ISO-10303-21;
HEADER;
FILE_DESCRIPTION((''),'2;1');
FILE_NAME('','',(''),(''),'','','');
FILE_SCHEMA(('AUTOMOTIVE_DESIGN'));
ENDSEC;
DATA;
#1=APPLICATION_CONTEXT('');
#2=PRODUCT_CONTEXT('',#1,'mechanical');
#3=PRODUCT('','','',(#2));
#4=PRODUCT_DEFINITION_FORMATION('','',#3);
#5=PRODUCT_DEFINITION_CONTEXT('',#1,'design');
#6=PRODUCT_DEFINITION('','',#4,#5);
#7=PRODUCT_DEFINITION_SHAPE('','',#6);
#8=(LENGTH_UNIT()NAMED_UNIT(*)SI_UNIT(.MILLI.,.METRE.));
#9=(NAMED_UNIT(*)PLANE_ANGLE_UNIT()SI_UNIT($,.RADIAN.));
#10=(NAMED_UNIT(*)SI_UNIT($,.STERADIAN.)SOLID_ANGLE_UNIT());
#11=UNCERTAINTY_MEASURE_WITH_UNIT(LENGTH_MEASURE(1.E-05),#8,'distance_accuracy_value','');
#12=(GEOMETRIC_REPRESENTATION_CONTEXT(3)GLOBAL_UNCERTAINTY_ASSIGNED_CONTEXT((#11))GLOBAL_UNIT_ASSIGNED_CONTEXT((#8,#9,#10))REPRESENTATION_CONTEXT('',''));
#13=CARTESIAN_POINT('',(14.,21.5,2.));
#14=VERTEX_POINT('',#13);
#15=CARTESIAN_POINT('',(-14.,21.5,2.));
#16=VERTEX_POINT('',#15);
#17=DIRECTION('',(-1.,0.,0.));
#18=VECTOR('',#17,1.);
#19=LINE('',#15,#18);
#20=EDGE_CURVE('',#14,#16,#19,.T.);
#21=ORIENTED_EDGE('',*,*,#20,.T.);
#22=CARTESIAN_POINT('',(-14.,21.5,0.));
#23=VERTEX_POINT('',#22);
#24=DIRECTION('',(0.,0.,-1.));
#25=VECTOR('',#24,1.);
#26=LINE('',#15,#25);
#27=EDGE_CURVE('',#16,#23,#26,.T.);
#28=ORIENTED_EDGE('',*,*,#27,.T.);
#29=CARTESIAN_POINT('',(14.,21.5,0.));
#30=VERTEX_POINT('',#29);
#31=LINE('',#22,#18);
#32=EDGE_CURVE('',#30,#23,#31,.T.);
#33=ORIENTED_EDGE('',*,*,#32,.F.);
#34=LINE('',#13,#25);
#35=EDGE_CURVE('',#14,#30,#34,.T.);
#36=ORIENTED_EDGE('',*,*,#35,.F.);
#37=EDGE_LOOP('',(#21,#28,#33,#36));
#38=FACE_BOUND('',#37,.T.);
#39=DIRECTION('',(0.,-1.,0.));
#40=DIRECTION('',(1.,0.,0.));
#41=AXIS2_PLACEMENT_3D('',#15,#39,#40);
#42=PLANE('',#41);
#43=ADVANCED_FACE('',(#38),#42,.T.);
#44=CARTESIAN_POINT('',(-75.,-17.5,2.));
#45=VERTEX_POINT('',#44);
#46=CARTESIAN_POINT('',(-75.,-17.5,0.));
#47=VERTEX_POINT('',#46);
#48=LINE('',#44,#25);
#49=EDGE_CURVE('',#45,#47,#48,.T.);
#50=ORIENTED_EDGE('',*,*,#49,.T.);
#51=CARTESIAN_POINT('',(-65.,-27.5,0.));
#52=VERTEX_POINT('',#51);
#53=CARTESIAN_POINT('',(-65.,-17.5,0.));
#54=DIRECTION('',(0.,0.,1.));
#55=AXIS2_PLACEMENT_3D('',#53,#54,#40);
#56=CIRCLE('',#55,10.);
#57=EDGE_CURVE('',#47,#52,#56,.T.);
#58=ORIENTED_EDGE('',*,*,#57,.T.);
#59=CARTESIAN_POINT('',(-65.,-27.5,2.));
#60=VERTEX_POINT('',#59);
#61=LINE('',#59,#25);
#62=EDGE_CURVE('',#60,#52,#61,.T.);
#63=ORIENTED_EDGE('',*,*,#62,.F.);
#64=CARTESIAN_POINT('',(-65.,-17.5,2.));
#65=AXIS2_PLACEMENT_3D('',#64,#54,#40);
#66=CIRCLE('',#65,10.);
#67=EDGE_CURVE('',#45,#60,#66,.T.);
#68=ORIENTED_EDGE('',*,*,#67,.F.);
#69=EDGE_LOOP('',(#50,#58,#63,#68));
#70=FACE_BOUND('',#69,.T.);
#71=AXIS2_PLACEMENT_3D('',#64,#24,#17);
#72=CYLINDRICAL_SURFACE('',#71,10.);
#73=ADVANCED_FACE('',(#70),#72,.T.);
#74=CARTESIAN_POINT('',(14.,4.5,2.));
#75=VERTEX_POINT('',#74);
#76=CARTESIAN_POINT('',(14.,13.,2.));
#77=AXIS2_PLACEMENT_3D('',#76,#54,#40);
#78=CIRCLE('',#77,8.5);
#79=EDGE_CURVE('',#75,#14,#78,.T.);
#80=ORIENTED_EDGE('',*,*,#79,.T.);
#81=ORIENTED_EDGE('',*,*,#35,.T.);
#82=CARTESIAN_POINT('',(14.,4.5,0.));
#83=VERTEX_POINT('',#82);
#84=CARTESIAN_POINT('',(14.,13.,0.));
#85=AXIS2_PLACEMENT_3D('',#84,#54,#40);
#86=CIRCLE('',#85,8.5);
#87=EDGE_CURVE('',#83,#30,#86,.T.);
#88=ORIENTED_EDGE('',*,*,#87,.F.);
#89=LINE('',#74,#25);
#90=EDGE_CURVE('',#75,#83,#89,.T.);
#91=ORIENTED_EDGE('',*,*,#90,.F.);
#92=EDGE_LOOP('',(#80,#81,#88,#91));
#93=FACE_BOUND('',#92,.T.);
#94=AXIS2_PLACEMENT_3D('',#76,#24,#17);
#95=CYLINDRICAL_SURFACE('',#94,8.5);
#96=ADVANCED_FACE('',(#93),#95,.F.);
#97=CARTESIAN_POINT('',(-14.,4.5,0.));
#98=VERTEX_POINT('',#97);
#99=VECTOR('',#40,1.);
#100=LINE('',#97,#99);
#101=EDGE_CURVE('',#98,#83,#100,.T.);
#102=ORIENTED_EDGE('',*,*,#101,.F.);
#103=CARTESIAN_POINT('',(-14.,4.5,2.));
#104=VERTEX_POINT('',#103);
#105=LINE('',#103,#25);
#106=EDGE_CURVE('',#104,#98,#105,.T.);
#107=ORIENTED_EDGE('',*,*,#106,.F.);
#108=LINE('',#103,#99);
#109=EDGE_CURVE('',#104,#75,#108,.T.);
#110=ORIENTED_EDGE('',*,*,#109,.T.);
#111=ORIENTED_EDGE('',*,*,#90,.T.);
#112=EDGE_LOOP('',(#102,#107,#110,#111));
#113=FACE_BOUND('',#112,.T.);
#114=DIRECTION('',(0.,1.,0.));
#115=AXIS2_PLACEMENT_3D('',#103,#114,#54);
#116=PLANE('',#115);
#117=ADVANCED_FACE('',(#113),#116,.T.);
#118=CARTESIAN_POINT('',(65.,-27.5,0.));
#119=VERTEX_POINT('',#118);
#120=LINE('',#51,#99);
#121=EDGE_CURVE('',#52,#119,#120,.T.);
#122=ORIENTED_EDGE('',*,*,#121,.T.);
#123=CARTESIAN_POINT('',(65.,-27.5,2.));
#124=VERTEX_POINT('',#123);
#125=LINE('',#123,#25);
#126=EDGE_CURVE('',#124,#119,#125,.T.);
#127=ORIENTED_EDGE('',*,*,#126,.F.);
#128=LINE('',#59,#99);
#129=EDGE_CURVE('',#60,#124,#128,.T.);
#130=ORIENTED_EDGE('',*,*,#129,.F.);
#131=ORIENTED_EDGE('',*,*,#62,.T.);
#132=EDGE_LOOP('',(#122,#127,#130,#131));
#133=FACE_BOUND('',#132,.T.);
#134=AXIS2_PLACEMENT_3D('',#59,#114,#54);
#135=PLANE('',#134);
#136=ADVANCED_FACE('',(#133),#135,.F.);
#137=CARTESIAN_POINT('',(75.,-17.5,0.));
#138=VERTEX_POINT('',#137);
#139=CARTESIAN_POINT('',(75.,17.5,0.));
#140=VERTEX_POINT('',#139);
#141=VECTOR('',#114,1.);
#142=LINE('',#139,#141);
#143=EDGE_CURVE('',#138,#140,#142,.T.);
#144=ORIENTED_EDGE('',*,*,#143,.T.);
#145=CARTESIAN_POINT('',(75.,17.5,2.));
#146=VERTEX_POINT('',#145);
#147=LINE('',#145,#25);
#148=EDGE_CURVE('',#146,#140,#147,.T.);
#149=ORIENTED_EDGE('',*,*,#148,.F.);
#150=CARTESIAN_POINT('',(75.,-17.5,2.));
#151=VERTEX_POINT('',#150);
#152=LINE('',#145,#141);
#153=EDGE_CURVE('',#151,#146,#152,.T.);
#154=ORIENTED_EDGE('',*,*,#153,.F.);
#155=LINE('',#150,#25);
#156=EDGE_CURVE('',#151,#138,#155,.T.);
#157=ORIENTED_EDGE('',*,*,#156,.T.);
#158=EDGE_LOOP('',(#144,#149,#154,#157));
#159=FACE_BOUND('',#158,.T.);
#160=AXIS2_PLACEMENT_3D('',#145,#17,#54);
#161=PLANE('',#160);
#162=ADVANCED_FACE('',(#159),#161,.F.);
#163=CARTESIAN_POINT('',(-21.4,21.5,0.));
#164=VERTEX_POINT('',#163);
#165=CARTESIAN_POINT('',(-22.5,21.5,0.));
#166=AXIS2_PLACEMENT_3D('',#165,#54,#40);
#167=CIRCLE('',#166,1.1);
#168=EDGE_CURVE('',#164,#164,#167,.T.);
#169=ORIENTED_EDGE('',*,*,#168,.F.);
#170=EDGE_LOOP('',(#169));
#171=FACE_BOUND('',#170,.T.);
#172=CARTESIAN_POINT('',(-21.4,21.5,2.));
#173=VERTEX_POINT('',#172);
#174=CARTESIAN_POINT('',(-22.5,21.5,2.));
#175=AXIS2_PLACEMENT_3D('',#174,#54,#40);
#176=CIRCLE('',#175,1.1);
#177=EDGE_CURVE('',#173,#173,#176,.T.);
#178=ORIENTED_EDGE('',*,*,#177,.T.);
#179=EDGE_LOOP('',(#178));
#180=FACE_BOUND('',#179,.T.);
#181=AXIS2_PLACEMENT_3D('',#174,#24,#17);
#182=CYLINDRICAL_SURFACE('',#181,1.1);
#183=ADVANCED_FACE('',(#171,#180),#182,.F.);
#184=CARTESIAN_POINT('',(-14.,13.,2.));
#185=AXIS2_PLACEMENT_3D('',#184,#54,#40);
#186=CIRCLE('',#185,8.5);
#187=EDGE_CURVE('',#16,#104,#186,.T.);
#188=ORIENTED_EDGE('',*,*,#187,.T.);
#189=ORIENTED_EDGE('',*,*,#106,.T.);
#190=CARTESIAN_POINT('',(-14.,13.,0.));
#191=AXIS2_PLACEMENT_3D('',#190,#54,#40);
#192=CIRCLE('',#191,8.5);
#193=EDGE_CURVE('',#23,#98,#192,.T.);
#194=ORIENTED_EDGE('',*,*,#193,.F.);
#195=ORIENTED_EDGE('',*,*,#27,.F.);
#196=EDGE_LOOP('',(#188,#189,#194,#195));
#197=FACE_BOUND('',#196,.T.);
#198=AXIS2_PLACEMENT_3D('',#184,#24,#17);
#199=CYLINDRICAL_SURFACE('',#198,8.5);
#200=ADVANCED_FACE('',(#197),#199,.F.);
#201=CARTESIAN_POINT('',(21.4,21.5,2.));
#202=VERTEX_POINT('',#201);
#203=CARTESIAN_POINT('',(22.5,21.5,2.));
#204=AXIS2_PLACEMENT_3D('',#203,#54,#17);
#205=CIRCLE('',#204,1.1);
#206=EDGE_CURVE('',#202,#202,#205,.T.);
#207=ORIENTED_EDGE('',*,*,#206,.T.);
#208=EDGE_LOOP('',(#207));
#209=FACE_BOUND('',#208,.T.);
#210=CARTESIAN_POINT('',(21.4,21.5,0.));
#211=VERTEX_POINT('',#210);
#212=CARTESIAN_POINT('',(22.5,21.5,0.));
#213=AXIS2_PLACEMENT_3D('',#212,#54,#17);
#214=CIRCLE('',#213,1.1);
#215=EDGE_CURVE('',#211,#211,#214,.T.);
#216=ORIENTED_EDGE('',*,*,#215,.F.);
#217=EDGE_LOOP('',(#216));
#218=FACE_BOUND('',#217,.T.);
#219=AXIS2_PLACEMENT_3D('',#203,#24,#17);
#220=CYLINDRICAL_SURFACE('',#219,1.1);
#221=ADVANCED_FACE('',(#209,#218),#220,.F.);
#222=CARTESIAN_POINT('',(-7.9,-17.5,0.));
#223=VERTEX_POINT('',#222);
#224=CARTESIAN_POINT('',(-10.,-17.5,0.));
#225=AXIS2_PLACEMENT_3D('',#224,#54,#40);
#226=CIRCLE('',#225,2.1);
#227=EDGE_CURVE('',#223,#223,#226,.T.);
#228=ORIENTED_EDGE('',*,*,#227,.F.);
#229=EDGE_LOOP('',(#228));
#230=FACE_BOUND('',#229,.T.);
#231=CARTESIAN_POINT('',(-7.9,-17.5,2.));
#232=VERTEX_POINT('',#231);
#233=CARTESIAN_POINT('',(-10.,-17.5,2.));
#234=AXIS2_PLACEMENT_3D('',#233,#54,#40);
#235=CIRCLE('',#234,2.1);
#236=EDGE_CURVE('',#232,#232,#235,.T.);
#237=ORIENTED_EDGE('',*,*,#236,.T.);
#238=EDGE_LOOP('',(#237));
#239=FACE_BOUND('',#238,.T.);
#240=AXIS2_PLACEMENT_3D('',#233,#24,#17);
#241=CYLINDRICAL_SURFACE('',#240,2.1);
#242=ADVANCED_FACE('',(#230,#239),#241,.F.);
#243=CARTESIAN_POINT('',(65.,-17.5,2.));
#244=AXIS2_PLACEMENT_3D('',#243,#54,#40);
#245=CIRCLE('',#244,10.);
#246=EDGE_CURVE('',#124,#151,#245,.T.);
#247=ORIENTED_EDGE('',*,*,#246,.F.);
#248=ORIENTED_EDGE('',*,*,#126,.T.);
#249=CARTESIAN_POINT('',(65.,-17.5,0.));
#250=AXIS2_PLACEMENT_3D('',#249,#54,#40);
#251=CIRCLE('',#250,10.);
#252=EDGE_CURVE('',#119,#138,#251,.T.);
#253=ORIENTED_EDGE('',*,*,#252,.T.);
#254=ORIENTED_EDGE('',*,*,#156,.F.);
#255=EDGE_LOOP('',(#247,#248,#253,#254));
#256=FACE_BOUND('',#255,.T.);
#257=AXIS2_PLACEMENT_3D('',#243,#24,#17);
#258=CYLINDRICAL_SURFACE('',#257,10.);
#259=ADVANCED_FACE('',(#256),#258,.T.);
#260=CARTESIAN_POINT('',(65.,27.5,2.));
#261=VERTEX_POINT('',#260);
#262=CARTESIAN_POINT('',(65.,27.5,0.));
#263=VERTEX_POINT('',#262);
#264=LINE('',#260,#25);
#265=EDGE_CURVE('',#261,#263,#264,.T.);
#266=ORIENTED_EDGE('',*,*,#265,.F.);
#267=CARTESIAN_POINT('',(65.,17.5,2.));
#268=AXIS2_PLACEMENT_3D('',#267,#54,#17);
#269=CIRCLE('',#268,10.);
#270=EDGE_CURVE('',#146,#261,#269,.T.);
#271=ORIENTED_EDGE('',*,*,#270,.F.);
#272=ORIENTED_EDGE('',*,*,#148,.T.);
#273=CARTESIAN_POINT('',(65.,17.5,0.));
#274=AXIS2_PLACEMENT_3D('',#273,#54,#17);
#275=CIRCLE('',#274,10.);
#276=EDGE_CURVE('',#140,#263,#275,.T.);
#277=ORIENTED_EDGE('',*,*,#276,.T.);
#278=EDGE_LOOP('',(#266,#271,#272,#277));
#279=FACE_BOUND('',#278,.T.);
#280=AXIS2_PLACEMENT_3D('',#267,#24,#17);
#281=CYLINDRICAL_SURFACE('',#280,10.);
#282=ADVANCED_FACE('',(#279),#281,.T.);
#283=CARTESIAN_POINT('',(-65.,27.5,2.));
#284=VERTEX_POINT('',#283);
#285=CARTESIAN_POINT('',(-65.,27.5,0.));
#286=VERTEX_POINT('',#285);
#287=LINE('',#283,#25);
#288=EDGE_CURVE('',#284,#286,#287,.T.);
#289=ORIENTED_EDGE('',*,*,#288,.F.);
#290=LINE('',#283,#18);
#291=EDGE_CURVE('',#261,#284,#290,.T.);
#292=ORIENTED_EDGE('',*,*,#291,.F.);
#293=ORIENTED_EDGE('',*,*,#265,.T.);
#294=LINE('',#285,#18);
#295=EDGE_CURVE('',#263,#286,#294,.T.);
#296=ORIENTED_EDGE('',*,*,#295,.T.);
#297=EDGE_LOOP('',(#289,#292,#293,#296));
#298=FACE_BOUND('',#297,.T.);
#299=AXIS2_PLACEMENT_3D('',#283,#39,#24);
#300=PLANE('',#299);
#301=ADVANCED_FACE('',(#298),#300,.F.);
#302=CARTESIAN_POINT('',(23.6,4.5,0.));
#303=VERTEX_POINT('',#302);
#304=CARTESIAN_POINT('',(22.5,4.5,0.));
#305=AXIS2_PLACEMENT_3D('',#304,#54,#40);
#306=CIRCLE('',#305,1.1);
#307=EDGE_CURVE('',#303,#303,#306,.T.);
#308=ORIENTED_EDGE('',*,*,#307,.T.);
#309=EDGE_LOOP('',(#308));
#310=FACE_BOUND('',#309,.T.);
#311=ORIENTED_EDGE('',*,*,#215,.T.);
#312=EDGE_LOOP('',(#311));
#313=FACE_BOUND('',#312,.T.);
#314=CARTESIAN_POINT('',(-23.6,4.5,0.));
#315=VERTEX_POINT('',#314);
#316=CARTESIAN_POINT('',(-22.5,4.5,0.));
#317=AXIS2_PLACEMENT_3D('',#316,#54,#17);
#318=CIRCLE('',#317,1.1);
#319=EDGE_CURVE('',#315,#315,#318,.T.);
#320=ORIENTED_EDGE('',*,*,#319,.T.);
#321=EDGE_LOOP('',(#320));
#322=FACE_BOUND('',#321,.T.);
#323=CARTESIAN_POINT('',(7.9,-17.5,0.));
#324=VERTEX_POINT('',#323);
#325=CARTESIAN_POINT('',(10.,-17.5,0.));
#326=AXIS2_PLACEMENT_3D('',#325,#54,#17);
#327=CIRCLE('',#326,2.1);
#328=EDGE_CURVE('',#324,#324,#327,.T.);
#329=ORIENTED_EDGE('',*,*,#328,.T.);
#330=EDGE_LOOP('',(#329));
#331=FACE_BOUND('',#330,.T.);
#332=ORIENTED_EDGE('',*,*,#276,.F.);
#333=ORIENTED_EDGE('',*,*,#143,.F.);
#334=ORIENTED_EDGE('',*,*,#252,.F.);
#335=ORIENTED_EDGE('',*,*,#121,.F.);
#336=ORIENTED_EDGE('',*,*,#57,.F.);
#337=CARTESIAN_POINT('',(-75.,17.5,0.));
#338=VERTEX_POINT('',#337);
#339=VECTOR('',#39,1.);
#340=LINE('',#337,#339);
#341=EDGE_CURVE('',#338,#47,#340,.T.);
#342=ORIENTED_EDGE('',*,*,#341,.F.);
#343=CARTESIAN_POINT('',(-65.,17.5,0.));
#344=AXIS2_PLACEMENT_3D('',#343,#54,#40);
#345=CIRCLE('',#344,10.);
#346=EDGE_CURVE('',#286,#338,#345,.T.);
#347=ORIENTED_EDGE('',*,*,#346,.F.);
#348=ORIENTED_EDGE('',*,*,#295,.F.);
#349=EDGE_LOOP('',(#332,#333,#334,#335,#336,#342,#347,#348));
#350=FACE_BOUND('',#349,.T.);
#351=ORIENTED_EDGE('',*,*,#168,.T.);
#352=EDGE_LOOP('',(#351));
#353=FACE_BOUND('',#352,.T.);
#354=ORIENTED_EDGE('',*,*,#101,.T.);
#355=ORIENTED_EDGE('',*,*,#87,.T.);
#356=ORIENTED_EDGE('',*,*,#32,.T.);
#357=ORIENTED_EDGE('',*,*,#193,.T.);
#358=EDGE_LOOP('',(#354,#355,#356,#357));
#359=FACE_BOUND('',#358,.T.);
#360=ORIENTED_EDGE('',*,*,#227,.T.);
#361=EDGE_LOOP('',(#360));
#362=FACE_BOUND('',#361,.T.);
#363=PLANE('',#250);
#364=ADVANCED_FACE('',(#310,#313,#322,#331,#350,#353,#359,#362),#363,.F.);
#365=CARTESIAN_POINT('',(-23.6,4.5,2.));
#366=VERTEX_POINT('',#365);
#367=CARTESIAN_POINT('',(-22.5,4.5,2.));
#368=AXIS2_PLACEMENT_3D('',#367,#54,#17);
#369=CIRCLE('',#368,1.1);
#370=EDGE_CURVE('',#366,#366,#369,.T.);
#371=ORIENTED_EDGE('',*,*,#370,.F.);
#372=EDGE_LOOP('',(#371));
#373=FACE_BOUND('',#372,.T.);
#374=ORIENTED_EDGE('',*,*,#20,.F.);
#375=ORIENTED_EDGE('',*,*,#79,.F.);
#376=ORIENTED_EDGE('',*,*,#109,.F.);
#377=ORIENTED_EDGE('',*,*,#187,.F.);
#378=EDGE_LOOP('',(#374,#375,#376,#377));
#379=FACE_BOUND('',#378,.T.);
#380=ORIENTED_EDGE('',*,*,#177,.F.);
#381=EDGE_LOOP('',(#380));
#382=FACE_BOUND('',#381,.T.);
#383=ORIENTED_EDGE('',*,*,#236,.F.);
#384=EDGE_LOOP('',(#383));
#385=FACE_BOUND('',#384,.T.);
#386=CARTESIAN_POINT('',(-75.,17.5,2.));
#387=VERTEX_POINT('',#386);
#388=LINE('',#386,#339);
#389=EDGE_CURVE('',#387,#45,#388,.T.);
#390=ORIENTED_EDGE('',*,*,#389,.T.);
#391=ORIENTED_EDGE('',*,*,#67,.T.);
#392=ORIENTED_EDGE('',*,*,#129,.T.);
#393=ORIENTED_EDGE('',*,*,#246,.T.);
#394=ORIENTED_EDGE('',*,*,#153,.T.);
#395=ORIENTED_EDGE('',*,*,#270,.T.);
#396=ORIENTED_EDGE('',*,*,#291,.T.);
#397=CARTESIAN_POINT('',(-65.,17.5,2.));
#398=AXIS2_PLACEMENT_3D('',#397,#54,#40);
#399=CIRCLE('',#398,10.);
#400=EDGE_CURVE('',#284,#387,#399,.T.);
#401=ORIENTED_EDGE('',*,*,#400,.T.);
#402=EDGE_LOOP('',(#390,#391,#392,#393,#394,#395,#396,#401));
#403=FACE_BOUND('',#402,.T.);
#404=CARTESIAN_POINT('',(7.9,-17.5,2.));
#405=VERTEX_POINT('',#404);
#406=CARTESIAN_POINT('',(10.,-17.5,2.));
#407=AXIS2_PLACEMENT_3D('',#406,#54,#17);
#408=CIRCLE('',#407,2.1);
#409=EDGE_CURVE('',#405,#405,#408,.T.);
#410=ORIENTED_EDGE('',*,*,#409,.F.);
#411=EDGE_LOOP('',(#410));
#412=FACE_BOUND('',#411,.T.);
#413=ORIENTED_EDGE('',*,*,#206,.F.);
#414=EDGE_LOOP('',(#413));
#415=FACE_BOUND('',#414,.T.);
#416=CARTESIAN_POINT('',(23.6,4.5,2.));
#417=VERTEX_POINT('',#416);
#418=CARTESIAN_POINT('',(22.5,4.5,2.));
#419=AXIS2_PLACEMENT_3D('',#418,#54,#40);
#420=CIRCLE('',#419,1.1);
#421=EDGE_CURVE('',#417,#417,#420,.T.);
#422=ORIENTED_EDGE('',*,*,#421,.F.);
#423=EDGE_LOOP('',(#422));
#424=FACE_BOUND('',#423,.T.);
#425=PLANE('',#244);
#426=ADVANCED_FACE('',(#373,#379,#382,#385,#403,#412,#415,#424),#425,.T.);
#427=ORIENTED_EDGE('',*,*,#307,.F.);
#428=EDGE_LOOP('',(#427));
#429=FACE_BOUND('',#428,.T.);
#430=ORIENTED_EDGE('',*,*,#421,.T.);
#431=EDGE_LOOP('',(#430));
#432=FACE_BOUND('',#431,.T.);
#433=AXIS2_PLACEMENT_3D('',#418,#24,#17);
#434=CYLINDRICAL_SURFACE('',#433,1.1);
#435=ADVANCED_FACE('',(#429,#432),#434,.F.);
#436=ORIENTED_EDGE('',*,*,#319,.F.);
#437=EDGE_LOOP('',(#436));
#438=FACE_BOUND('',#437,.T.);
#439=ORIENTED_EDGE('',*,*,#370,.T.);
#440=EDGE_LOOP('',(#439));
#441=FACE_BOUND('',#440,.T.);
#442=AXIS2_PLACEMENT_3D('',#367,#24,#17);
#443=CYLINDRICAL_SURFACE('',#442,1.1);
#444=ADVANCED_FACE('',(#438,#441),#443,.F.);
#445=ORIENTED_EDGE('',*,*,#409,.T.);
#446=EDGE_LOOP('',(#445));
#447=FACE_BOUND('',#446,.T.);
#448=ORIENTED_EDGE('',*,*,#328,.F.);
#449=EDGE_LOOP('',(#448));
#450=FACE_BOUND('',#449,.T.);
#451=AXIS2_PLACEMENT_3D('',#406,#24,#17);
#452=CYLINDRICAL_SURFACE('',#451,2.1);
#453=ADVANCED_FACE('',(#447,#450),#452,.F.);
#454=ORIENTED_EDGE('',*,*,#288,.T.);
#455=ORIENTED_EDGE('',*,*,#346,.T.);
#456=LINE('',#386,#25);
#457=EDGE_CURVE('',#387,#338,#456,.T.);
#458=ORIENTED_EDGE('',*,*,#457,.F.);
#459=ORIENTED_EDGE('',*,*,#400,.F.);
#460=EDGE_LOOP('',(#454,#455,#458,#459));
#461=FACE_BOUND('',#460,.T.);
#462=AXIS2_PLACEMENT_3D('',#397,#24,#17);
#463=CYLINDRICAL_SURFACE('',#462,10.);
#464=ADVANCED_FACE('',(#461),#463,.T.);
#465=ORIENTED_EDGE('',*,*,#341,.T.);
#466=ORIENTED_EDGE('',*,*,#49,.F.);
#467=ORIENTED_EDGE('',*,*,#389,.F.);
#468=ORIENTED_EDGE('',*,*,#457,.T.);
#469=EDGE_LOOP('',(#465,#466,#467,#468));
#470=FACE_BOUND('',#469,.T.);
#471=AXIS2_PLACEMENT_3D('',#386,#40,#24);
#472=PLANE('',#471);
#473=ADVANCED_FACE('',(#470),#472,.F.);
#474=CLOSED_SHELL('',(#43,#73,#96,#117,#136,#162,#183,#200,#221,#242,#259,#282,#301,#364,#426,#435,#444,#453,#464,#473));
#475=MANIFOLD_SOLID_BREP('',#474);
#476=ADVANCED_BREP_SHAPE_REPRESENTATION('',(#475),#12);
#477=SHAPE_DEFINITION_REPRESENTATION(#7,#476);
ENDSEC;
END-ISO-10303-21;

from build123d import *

# Parameters (mm, degrees)
SKETCH_1_R      = 2.1
SKETCH_1_R_2    = 1.1
EXTRUDE_1_DEPTH = 2


with BuildPart() as part:
    # 草图1 → 凸台-拉伸1 (new body)
    with BuildSketch(Plane.XY):
        with BuildLine():
            Line((-65, 27.5), (65, 27.5))
            ThreePointArc((65, 27.5), (72.071067812, 24.571067812), (75, 17.5))
            Line((75, 17.5), (75, -17.5))
            ThreePointArc((75, -17.5), (72.071067812, -24.571067812), (65, -27.5))
            Line((65, -27.5), (-65, -27.5))
            ThreePointArc((-65, -27.5), (-72.071067812, -24.571067812), (-75, -17.5))
            Line((-75, -17.5), (-75, 17.5))
            ThreePointArc((-75, 17.5), (-72.071067812, 24.571067812), (-65, 27.5))
        make_face()
        with Locations((-10, -17.5)):
            Circle(SKETCH_1_R, mode=Mode.SUBTRACT)
        with Locations((10, -17.5)):
            Circle(SKETCH_1_R, mode=Mode.SUBTRACT)
        with Locations((-22.5, 21.5)):
            Circle(SKETCH_1_R_2, mode=Mode.SUBTRACT)
        with Locations((-22.5, 4.5)):
            Circle(SKETCH_1_R_2, mode=Mode.SUBTRACT)
        with Locations((22.5, 4.5)):
            Circle(SKETCH_1_R_2, mode=Mode.SUBTRACT)
        with Locations((22.5, 21.5)):
            Circle(SKETCH_1_R_2, mode=Mode.SUBTRACT)
        with BuildLine():
            Line((-14, 21.5), (14, 21.5))
            ThreePointArc((14, 21.5), (22.5, 13), (14, 4.5))
            Line((14, 4.5), (-14, 4.5))
            ThreePointArc((-14, 4.5), (-22.5, 13), (-14, 21.5))
        make_face(mode=Mode.SUBTRACT)
    extrude(amount=EXTRUDE_1_DEPTH)


solid = part.part
